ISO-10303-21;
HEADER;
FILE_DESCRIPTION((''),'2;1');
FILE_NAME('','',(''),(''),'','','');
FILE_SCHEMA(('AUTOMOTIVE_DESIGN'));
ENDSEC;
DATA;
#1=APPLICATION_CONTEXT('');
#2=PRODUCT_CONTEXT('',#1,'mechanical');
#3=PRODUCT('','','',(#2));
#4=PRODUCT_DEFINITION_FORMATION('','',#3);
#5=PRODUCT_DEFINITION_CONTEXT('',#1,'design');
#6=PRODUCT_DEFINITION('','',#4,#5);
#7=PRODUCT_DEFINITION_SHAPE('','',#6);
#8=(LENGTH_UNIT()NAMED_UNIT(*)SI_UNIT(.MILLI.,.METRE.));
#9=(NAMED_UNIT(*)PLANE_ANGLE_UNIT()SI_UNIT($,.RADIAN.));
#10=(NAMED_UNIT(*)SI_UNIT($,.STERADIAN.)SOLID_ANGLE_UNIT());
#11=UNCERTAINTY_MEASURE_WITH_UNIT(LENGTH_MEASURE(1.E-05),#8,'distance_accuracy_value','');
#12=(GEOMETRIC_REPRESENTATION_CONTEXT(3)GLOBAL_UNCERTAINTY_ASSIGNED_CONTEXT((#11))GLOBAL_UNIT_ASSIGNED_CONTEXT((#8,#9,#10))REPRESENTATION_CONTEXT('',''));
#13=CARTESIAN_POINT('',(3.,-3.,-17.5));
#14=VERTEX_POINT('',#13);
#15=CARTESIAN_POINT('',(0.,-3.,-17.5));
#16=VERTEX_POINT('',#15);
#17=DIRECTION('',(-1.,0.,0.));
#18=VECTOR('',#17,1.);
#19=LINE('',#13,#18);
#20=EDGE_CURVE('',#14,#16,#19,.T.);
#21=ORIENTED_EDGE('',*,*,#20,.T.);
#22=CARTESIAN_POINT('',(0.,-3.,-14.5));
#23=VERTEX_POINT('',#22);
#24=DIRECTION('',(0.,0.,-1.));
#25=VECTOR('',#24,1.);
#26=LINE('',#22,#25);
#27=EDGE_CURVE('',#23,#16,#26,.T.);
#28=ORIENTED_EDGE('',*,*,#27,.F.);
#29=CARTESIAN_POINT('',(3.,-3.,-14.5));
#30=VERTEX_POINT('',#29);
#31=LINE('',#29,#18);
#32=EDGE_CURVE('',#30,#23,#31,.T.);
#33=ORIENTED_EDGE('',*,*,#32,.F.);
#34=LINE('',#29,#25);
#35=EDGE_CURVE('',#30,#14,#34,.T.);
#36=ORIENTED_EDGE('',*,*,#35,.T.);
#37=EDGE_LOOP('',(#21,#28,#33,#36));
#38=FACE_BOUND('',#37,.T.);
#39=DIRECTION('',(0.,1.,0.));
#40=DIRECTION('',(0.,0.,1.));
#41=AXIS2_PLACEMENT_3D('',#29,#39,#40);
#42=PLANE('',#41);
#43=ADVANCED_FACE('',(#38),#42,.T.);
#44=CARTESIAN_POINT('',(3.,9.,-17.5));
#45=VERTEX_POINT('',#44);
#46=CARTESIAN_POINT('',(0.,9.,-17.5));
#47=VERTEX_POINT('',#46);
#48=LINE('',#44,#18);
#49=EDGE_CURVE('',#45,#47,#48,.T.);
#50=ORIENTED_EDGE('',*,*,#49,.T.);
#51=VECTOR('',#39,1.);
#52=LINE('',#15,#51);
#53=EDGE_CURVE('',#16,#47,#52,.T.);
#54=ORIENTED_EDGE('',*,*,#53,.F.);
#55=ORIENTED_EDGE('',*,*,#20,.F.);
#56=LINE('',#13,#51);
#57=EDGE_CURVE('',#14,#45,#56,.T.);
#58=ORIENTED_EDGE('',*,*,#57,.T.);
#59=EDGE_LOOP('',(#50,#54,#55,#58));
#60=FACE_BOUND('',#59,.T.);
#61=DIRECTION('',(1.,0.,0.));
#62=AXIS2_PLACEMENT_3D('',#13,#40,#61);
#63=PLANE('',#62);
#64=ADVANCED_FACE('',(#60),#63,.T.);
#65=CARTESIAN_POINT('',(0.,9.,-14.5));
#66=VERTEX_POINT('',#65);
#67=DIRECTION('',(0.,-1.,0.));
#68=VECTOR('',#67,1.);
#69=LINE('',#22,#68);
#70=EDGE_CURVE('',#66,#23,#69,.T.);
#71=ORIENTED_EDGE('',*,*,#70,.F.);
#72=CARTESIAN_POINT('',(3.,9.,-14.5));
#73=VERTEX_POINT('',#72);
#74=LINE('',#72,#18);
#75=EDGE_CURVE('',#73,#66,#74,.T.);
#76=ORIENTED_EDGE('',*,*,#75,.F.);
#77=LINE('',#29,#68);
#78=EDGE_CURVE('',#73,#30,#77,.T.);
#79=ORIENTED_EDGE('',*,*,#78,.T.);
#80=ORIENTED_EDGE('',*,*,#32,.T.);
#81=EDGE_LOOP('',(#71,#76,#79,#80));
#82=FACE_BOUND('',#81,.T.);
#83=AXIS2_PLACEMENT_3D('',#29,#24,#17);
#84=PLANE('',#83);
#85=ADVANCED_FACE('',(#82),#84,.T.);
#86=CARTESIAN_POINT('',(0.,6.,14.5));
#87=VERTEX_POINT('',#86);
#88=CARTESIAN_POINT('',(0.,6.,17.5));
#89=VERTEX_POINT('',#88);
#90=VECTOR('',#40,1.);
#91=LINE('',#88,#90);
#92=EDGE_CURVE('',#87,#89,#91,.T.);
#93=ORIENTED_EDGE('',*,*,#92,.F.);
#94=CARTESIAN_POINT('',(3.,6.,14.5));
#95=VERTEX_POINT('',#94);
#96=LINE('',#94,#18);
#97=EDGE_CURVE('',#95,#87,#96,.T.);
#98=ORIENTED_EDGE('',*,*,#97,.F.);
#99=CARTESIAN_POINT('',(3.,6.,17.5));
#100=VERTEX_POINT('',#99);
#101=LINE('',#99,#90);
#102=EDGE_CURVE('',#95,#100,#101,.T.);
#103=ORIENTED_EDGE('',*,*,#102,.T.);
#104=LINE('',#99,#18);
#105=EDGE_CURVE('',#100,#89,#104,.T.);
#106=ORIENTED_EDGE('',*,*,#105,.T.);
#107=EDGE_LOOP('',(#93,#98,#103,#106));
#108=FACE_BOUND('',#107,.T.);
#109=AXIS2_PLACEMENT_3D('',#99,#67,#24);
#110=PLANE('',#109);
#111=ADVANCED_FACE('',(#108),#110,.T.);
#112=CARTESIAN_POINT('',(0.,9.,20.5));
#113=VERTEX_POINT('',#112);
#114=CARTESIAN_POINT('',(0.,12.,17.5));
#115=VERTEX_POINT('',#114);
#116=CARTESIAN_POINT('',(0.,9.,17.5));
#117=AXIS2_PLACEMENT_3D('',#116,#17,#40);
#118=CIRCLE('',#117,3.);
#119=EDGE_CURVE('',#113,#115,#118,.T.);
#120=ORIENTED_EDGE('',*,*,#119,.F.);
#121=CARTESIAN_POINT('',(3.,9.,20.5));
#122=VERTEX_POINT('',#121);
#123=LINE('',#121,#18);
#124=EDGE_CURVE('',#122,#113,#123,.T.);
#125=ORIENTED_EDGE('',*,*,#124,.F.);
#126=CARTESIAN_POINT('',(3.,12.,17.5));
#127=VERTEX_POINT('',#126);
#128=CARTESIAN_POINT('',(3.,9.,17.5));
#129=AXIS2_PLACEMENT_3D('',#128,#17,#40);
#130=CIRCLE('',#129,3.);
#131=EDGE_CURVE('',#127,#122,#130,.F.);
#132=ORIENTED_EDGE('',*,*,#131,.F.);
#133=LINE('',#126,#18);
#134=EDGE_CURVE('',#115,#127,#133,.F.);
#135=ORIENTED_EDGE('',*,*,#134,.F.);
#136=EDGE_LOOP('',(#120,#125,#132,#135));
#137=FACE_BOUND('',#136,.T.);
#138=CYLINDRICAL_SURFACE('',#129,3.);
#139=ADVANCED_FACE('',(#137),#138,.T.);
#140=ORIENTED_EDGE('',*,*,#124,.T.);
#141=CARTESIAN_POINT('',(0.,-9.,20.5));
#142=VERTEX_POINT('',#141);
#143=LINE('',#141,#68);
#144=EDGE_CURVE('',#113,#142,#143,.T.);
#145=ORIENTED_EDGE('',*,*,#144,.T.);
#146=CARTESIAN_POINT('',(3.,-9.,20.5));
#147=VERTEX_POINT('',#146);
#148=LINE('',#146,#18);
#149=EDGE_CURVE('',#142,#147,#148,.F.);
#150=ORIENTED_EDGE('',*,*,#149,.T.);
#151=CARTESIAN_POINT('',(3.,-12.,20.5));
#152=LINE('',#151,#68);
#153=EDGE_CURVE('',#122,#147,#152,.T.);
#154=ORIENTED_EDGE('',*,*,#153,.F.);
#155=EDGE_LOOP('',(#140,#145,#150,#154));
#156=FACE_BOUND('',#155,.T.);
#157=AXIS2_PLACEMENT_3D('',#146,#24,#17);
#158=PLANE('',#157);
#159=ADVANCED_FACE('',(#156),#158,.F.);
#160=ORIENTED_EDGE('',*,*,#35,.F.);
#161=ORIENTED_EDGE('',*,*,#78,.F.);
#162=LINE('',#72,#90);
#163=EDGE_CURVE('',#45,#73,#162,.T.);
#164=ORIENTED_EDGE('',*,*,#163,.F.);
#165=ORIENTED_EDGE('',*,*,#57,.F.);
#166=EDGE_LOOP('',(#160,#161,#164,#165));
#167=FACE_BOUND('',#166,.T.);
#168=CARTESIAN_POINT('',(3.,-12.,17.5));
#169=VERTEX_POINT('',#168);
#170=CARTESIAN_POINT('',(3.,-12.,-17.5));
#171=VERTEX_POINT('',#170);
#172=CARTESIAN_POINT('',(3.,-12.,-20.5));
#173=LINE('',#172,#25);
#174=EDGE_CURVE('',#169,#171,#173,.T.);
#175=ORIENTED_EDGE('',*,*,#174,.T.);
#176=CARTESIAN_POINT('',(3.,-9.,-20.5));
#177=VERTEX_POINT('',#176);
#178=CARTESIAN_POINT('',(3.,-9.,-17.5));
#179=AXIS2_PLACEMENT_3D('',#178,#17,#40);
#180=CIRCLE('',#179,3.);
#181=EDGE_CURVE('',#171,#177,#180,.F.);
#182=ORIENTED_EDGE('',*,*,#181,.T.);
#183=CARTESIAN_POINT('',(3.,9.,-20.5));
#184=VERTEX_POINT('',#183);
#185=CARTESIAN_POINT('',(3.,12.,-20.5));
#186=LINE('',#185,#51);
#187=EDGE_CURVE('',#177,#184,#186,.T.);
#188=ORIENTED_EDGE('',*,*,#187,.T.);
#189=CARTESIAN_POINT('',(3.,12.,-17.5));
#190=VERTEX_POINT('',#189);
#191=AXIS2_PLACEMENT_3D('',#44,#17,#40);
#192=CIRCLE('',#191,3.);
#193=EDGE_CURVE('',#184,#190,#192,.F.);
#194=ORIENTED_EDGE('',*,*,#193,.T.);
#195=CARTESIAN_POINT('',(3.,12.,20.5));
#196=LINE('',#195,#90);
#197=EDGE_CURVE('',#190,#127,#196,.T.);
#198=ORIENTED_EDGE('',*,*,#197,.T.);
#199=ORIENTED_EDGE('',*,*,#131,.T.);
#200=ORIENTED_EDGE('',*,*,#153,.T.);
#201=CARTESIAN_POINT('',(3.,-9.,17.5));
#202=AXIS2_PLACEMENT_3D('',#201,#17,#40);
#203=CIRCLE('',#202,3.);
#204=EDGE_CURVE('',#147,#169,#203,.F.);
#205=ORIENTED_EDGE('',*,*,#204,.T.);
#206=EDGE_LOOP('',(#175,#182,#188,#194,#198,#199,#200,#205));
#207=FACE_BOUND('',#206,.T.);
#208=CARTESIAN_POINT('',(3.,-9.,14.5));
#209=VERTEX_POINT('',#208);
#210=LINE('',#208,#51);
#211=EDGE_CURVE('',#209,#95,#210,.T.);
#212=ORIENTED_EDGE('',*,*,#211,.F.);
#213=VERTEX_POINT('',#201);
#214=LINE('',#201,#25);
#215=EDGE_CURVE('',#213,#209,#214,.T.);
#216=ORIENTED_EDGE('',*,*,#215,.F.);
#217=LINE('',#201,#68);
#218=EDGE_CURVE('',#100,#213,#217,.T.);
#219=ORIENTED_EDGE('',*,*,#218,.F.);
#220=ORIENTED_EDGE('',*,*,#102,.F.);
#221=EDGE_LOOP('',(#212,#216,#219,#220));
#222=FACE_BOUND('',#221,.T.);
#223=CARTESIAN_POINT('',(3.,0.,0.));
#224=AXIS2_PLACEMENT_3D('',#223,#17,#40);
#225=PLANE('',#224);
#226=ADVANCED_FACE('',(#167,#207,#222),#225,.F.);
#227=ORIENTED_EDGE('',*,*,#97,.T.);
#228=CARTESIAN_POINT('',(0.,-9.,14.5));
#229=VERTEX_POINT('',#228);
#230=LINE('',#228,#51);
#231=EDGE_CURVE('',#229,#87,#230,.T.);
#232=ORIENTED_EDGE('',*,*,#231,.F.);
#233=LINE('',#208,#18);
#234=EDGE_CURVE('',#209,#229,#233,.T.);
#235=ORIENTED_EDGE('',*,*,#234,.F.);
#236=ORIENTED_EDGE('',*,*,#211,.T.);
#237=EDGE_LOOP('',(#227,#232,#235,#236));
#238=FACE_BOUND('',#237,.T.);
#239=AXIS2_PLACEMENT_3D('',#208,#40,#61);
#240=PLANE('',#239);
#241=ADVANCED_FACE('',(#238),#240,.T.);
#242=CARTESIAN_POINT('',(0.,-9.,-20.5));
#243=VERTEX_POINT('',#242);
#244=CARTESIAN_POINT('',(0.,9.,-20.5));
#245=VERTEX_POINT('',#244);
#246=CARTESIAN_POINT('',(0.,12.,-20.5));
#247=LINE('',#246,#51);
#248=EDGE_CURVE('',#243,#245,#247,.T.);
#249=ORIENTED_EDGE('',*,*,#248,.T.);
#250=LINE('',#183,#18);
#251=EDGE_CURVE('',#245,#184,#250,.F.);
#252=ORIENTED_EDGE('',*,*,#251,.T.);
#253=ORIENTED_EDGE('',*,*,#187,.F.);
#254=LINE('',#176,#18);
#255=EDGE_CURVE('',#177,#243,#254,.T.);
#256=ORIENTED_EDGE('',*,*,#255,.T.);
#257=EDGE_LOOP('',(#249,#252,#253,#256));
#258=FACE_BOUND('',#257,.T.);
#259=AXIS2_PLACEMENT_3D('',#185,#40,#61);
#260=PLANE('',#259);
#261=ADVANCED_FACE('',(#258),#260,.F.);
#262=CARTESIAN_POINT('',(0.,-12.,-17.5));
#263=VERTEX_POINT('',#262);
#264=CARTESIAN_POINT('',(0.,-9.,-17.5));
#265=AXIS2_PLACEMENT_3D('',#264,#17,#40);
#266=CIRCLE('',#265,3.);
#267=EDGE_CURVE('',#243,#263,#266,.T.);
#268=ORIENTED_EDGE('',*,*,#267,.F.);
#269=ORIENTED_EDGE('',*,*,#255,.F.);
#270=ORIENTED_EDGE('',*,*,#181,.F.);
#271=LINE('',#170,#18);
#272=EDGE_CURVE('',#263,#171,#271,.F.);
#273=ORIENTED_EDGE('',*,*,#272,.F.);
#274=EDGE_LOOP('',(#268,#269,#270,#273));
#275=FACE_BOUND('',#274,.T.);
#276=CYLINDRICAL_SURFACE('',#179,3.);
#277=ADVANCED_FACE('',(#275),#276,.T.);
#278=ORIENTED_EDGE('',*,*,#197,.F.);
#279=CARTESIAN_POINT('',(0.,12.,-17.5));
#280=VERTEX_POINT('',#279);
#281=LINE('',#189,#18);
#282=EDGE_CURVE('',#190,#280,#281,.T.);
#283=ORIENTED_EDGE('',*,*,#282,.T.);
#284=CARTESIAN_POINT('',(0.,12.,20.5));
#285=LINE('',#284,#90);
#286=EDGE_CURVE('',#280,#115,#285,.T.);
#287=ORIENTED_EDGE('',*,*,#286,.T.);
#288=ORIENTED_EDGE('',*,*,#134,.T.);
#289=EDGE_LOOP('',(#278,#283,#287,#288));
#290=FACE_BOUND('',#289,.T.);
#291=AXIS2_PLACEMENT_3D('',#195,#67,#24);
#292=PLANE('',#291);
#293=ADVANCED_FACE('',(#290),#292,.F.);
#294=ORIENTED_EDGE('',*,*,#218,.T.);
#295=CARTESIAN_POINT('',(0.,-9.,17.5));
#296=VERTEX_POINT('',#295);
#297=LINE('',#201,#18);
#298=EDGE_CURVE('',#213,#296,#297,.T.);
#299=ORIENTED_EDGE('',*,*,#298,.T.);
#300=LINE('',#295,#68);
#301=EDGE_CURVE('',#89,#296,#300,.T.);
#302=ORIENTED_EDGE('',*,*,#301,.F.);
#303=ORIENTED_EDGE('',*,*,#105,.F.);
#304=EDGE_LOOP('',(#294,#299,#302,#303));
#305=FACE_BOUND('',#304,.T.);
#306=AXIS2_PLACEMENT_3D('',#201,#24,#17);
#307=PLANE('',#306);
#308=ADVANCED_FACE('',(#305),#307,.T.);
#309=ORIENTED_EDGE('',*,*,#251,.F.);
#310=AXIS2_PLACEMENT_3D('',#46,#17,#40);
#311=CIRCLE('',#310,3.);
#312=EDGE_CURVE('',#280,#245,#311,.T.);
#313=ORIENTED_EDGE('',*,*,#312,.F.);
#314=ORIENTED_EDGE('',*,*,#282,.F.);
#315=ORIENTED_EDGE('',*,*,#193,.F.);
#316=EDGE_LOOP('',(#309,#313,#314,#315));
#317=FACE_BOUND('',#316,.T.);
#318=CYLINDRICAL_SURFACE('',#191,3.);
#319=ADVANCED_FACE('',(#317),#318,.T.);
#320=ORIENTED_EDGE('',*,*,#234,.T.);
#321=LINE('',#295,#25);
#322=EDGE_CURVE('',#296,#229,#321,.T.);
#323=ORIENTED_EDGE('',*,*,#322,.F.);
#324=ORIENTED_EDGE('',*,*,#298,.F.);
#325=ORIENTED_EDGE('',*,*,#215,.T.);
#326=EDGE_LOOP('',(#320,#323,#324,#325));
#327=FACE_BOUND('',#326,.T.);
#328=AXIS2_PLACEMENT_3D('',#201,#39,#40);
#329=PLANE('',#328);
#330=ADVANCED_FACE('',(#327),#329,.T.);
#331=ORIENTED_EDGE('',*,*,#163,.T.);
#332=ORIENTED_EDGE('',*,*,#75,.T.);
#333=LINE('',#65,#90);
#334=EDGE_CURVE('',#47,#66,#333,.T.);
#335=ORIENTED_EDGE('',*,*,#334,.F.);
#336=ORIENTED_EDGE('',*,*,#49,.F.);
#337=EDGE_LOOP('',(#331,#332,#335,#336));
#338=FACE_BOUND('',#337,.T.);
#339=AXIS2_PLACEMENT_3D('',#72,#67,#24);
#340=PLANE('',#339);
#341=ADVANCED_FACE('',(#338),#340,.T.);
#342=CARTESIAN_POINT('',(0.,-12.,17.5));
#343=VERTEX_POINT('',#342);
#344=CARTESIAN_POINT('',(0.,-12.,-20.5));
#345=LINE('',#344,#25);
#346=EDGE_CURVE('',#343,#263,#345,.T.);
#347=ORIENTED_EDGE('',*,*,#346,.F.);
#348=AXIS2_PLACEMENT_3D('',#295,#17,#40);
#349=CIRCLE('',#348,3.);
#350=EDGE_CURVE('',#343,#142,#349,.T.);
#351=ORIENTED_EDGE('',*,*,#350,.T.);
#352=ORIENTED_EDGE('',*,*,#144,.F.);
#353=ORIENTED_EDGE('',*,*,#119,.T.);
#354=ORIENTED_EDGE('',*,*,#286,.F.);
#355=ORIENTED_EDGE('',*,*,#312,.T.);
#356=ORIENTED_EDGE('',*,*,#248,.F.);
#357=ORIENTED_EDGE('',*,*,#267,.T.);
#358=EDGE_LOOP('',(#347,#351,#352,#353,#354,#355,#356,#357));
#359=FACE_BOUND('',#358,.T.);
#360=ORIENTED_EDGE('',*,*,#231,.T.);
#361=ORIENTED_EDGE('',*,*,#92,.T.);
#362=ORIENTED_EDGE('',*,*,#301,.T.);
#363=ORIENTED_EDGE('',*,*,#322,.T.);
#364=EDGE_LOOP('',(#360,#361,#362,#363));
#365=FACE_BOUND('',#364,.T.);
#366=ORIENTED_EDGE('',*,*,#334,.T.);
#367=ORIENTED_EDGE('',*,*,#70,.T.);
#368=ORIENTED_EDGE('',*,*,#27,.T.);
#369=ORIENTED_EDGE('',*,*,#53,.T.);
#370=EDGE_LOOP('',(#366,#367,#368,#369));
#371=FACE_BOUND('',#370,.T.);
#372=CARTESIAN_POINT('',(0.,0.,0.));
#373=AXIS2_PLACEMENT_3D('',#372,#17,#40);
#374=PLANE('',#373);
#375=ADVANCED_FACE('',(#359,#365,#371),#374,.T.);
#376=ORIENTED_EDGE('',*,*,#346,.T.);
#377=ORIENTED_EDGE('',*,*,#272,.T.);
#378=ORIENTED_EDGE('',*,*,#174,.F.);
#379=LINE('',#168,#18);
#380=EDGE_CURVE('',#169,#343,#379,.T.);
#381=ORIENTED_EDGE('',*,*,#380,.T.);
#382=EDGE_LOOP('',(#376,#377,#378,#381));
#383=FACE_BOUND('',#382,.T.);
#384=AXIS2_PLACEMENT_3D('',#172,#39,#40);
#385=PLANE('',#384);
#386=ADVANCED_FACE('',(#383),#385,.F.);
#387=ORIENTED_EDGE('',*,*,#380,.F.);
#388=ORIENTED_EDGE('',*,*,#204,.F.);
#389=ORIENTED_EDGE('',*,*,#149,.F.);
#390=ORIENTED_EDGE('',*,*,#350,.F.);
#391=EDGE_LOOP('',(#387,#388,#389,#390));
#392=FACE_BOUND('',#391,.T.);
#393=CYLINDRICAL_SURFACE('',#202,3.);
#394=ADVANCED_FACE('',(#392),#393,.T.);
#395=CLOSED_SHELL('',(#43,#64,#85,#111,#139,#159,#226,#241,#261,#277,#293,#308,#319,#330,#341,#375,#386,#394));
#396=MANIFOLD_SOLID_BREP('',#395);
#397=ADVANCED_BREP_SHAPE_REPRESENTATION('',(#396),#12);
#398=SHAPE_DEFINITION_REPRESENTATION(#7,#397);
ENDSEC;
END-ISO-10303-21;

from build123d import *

# Parameters (mm, degrees)
SKETCH_2_W      = 3
SKETCH_2_H      = 15
SKETCH_2_H_2    = 12
EXTRUDE_1_DEPTH = 3
FILLET_1_R      = 3


with BuildPart() as part:
    # Sketch 2 → Extrude 1 (new body)
    with BuildSketch(Plane(origin=(0, 0, 0), x_dir=(0, 0, -1), z_dir=(1, 0, 0))):
        Polygon((-20.5, -9), (-20.5, 12), (20.5, 12), (20.5, -12), (-20.5, -12), align=None)
        with Locations((-16, -1.5)):
            Rectangle(SKETCH_2_W, SKETCH_2_H, mode=Mode.SUBTRACT)
        with Locations((16, 3)):
            Rectangle(SKETCH_2_W, SKETCH_2_H_2, mode=Mode.SUBTRACT)
    extrude(amount=EXTRUDE_1_DEPTH)

    # Fillet 1
    fillet_1_edges = [part.edges().sort_by_distance(p)[0] for p in [
        (1.5, 12, 20.5),
        (1.5, 12, -20.5),
        (1.5, -12, -20.5),
        (1.5, -12, 20.5),
    ]]
    fillet(fillet_1_edges, radius=FILLET_1_R)


solid = part.part
